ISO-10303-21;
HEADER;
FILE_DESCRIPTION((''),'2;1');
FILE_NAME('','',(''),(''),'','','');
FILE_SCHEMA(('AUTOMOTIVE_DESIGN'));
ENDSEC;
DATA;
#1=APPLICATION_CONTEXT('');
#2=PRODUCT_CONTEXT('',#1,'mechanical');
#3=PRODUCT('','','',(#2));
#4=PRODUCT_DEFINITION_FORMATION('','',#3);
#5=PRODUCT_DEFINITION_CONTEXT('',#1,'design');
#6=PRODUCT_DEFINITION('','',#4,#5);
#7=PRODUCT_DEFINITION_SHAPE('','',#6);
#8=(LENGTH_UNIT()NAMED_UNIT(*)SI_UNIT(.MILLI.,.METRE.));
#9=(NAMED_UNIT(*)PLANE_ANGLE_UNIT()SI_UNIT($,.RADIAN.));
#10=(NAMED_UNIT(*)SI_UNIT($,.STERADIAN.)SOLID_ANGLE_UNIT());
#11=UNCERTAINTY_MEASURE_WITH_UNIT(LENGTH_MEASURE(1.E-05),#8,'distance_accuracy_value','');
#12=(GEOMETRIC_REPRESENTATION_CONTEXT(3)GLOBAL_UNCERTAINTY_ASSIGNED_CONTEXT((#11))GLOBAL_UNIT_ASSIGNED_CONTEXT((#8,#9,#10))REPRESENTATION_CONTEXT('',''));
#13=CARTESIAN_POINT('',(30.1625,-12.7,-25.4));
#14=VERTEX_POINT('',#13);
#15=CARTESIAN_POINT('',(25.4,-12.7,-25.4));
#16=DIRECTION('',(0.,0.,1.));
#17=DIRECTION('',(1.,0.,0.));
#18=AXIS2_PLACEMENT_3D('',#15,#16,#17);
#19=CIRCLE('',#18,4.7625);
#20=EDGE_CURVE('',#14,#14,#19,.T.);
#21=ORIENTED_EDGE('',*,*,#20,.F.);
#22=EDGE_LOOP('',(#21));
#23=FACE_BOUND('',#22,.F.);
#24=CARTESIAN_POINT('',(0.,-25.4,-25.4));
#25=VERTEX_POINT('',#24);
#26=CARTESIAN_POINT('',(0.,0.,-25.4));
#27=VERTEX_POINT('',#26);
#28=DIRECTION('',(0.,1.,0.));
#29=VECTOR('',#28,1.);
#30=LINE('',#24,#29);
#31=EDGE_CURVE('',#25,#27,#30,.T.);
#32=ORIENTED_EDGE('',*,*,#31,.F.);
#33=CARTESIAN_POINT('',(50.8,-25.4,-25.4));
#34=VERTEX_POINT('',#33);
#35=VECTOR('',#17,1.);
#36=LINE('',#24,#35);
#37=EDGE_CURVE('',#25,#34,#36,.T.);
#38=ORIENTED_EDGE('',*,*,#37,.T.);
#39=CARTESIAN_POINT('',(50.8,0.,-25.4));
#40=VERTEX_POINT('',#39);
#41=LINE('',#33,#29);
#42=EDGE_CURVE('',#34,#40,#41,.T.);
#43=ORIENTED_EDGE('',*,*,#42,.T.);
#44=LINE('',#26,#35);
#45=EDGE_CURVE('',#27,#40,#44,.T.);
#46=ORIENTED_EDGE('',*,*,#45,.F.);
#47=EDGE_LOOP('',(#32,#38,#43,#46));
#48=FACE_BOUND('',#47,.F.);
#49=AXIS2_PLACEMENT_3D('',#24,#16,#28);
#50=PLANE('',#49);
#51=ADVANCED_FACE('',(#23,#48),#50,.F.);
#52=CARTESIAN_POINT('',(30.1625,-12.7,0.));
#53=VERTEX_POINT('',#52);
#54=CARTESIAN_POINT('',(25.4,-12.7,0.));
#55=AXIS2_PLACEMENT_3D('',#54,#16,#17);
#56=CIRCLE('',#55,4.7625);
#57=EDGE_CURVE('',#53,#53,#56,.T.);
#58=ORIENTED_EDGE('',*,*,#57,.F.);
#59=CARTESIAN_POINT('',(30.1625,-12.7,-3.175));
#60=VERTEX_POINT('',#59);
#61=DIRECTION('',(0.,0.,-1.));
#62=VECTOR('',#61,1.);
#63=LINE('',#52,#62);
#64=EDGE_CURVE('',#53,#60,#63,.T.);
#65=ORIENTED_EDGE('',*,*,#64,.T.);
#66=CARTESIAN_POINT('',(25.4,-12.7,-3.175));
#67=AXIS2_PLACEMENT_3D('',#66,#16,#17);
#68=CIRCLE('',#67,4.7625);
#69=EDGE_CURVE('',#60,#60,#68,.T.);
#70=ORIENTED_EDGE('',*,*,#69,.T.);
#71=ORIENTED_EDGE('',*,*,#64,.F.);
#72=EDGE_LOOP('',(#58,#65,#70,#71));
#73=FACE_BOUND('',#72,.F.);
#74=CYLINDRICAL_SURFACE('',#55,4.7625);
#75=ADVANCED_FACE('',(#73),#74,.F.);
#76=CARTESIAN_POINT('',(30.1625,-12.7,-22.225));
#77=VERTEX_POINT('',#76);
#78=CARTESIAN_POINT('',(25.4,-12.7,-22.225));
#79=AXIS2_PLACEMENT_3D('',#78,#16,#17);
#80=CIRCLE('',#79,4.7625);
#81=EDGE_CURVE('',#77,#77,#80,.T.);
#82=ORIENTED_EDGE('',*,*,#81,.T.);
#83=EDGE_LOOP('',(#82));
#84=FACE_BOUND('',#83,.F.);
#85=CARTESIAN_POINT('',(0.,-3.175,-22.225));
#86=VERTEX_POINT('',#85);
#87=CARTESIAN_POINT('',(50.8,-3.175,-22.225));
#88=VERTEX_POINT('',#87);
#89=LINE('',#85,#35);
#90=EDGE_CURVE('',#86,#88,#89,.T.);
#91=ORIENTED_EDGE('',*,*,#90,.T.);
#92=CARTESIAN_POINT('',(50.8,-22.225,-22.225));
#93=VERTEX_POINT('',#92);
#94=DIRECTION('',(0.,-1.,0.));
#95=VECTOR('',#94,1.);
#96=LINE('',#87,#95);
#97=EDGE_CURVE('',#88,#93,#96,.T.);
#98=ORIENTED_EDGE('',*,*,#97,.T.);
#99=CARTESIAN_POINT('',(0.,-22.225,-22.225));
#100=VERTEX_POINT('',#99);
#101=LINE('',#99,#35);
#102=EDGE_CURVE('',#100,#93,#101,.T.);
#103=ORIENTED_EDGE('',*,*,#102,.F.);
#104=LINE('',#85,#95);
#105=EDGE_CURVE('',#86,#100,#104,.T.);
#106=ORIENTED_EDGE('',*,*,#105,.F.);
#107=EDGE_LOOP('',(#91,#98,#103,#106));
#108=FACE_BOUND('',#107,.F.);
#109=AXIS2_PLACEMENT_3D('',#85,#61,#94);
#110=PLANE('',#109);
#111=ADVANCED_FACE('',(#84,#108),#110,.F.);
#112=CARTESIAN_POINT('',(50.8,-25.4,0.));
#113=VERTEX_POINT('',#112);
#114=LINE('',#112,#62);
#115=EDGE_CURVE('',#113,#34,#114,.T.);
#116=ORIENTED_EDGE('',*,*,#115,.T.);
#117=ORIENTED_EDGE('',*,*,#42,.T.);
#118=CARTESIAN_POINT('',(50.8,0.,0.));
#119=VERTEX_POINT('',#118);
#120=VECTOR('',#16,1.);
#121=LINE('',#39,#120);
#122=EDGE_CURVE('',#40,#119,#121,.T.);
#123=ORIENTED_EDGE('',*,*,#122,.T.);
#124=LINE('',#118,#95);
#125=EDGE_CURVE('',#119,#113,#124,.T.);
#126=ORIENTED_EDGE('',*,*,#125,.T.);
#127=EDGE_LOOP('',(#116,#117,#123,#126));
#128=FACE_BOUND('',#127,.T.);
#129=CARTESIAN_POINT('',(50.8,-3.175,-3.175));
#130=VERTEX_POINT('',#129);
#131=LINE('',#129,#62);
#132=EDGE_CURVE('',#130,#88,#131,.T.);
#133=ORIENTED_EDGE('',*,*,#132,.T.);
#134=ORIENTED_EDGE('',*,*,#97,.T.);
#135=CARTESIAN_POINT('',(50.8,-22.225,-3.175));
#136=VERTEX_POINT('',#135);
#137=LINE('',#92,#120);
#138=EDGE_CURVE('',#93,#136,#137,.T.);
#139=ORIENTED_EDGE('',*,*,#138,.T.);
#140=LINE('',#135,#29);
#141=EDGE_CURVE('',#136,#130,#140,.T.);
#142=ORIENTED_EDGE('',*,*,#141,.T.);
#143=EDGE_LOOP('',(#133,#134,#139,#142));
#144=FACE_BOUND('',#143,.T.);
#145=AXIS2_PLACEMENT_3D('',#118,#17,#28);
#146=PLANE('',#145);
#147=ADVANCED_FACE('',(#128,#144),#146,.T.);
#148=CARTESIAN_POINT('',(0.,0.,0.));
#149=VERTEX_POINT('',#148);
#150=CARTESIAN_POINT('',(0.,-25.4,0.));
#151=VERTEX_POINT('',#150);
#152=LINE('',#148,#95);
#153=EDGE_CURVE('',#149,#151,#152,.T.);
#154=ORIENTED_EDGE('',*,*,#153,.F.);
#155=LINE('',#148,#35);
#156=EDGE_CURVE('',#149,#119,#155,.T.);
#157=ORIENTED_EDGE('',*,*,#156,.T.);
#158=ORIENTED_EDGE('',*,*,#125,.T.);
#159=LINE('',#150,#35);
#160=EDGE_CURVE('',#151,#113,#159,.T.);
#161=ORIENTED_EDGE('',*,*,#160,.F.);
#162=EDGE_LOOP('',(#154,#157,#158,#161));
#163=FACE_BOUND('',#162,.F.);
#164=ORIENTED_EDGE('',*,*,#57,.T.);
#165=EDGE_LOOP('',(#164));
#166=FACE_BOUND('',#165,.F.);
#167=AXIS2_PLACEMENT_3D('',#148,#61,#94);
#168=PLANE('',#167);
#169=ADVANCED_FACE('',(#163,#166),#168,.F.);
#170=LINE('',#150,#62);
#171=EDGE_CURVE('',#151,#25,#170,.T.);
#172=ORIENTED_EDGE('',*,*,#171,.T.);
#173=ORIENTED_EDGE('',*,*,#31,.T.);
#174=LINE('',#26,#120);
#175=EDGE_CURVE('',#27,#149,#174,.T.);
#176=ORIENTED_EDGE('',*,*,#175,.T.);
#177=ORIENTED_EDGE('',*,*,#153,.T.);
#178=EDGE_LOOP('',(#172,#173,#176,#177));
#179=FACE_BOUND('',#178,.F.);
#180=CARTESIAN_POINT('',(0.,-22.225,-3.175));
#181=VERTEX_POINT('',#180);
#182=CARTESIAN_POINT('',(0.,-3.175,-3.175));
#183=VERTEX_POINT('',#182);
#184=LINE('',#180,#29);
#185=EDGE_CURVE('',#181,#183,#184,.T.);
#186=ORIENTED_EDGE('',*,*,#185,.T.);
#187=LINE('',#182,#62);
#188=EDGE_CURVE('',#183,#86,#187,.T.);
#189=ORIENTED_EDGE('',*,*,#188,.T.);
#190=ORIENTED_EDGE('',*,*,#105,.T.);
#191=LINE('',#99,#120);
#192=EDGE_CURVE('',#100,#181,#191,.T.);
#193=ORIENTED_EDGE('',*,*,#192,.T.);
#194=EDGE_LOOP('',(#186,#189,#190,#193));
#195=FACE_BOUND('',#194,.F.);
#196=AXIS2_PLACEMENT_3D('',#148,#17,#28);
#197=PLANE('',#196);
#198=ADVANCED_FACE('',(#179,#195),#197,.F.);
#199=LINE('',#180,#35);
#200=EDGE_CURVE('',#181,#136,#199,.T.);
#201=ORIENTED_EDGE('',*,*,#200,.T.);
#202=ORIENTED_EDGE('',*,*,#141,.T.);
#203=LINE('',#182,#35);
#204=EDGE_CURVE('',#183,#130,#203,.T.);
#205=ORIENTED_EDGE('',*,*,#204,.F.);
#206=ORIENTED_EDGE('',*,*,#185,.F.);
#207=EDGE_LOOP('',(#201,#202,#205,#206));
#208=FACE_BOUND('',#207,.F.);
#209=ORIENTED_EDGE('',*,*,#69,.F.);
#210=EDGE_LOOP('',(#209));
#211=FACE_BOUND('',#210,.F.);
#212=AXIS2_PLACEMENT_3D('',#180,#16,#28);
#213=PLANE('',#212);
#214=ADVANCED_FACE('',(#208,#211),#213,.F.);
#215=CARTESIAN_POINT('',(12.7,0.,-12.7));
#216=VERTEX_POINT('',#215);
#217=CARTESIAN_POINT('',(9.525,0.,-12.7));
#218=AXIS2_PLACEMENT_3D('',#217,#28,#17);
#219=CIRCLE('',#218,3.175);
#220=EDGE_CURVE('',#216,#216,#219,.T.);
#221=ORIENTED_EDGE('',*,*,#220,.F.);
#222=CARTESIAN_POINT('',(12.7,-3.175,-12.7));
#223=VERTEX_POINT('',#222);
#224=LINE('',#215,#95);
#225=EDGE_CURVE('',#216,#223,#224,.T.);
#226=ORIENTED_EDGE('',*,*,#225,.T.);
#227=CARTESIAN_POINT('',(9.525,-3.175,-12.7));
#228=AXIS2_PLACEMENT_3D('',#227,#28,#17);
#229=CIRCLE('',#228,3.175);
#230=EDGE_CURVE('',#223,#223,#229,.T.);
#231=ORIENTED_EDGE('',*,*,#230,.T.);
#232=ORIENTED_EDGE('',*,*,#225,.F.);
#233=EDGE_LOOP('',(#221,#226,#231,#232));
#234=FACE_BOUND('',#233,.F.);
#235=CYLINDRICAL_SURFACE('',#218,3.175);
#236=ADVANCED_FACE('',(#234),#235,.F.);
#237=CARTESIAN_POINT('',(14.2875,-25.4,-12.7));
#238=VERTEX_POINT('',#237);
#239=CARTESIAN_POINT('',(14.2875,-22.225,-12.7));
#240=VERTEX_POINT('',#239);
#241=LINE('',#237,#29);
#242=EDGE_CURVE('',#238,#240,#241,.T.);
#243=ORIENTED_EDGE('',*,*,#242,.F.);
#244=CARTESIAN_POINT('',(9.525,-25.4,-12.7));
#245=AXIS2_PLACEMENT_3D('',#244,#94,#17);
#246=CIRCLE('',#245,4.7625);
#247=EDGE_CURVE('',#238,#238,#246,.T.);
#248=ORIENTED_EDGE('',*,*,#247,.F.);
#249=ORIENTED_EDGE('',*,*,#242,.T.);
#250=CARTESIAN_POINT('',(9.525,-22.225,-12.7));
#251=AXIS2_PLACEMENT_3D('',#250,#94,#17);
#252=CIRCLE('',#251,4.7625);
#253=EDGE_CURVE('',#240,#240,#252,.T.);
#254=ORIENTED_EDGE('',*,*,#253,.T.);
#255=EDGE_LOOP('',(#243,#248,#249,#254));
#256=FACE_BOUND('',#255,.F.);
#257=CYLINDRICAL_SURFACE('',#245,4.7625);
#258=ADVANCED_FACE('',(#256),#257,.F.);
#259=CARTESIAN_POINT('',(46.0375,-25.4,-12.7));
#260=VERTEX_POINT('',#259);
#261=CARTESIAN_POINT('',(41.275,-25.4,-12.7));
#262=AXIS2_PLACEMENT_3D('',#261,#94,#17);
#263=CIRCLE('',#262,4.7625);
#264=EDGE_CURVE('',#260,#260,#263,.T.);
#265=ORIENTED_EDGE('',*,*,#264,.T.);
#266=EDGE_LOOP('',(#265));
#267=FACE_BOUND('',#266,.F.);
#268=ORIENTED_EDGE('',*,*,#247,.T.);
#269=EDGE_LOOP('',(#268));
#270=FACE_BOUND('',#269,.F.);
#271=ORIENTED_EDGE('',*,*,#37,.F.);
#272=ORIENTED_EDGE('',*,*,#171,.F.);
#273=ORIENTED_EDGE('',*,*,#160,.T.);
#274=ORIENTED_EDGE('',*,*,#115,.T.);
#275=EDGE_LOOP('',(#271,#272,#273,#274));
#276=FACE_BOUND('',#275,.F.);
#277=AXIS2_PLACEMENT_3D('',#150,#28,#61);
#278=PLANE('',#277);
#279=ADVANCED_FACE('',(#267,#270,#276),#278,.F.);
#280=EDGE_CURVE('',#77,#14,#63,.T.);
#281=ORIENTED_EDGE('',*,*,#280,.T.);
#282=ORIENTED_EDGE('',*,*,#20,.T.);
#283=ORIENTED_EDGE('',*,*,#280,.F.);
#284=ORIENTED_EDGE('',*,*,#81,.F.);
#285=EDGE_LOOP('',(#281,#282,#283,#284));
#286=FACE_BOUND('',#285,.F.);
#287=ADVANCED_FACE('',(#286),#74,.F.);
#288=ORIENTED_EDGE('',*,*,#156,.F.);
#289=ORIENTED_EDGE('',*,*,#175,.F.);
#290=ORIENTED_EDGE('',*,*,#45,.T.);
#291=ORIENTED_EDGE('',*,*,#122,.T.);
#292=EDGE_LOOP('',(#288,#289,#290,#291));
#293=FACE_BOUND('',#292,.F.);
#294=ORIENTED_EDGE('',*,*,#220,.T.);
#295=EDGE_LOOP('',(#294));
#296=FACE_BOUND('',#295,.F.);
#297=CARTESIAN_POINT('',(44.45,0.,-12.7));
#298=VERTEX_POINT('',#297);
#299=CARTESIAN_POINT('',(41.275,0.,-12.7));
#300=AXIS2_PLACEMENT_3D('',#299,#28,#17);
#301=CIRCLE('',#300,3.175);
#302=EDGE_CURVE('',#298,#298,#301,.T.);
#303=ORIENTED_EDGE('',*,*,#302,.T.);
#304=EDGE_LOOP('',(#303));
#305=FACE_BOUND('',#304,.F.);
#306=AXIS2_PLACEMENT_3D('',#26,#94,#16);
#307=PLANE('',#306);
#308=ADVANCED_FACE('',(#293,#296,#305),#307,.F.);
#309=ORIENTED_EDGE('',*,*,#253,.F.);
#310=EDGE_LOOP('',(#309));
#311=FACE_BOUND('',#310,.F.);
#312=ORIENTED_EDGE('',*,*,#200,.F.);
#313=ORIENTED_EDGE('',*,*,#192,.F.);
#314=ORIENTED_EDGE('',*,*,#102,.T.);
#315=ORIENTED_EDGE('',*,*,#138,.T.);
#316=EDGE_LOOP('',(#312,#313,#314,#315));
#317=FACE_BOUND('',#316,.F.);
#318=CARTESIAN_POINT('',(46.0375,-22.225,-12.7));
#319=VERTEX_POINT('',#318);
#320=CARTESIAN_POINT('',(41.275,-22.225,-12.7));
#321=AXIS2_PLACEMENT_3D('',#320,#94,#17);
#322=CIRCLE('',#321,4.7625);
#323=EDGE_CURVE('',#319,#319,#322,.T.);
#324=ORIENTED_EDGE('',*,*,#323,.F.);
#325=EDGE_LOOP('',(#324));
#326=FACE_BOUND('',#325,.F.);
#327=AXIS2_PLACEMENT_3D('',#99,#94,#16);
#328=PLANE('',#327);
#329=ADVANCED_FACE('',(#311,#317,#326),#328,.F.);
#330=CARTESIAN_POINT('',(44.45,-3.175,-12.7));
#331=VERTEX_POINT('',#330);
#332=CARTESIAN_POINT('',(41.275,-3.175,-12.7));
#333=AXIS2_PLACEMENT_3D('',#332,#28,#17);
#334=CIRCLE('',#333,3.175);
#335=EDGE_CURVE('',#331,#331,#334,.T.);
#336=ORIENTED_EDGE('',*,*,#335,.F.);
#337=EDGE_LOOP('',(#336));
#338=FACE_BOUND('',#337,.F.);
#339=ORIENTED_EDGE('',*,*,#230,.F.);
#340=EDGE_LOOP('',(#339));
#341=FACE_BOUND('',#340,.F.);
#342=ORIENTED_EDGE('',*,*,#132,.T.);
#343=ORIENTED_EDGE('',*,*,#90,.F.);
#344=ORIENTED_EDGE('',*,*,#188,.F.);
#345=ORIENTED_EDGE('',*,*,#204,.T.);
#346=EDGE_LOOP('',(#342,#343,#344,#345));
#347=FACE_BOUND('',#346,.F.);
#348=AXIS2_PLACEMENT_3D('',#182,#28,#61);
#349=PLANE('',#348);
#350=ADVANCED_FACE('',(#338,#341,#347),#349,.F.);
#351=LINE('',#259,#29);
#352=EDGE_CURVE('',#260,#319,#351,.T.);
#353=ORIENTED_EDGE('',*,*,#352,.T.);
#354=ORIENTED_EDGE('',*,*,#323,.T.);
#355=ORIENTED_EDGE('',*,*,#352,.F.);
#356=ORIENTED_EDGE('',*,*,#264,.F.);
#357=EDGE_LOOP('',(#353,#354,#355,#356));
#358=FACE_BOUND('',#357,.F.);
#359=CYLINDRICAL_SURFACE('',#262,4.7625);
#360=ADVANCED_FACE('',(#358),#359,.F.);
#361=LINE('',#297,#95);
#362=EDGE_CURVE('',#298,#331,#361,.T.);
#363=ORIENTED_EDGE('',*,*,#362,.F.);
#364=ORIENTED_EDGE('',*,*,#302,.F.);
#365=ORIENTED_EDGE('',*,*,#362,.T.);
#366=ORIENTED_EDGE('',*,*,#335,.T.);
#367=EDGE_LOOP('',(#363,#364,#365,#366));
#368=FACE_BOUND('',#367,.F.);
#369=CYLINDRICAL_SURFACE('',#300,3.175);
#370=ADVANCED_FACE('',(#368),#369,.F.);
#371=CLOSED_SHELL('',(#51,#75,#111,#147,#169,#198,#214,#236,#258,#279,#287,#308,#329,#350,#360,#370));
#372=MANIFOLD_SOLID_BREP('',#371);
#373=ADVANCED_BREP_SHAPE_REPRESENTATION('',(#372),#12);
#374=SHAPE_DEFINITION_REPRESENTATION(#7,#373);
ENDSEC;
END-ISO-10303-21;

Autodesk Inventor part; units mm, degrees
ref_plane "YZ Plane" through (0, 0, 0) normal (1, 0, 0) x (0, 1, 0)
ref_plane "XZ Plane" through (0, 0, 0) normal (0, 1, 0) x (-1, 0, 0)
ref_plane "XY Plane" through (0, 0, 0) normal (0, 0, 1) x (1, 0, 0)
sketch "Sketch1" plane through (0, 0, 0) normal (1, 0, 0) x (0, 1, 0)
  line L0 (0, 0) -> (-25.4, 0)
  line L1 (-25.4, 0) -> (-25.4, -25.4)
  line L2 (-25.4, -25.4) -> (0, -25.4)
  line L3 (0, -25.4) -> (0, 0)
  line L4 (-3.175, -22.225) -> (-22.225, -22.225)
  line L5 (-22.225, -22.225) -> (-22.225, -3.175)
  line L6 (-22.225, -3.175) -> (-3.175, -3.175)
  line L7 (-3.175, -3.175) -> (-3.175, -22.225)
  dimension "d0" = 25.4
  dimension "d1" = 25.4
  dimension "d2" = 3.175
extrude "Extrusion1" add sketch "Sketch1" along normal blind 50.8
sketch "Sketch2" plane through (0, -25.4, 0) normal (0, 0, 1) x (1, 0, 0)
  circle A0 centre (25.4, 12.7) radius 4.7625
  line L0 (0, 25.4) -> (50.8, 25.4) projected
  line L1 (0, 25.4) -> (0, 0) projected
  dimension "d5" = 9.525
  dimension "d6" = 12.7
  dimension "d7" = 25.4
extrude "Extrusion2" cut sketch "Sketch2" against normal blind 50.8
sketch "Sketch3" plane through (0, 0, 0) normal (0, 1, 0) x (1, 0, 0)
  circle A0 centre (41.275, 12.7) radius 3.175
  circle A1 centre (9.525, 12.7) radius 3.175
  line L0 (50.8, 25.4) -> (50.8, 0) projected
  line L1 (0, 25.4) -> (50.8, 25.4) projected
  line L2 (0, 22.225) -> (0, 3.175) projected
  point P0 (0, 0)
  dimension "d10" = 6.35
  dimension "d11" = 6.35
  dimension "d12" = 9.525
  dimension "d13" = 12.7
  dimension "d14" = 9.525
  dimension "d15" = 12.7
extrude "Extrusion3" cut sketch "Sketch3" against normal blind 3.175
sketch "Sketch4" plane through (0, -25.4, -25.4) normal (0, -1, 0) x (1, 0, 0)
  circle A0 centre (41.275, 12.7) radius 3.175 projected
  circle A1 centre (41.275, 12.7) radius 4.7625
  circle A2 centre (9.525, 12.7) radius 4.7625
  line L0 (0, 25.4) -> (0, 0) projected
  line L1 (0, 0) -> (50.8, 0) projected
  dimension "d18" = 9.525
  dimension "d19" = 9.525
  dimension "d20" = 9.525
  dimension "d21" = 12.7
extrude "Extrusion4" cut sketch "Sketch4" against normal blind 3.175 contours A0 | A1 | A2
properties part number "15102898-16-A-0202" material "Aluminum 6061"
